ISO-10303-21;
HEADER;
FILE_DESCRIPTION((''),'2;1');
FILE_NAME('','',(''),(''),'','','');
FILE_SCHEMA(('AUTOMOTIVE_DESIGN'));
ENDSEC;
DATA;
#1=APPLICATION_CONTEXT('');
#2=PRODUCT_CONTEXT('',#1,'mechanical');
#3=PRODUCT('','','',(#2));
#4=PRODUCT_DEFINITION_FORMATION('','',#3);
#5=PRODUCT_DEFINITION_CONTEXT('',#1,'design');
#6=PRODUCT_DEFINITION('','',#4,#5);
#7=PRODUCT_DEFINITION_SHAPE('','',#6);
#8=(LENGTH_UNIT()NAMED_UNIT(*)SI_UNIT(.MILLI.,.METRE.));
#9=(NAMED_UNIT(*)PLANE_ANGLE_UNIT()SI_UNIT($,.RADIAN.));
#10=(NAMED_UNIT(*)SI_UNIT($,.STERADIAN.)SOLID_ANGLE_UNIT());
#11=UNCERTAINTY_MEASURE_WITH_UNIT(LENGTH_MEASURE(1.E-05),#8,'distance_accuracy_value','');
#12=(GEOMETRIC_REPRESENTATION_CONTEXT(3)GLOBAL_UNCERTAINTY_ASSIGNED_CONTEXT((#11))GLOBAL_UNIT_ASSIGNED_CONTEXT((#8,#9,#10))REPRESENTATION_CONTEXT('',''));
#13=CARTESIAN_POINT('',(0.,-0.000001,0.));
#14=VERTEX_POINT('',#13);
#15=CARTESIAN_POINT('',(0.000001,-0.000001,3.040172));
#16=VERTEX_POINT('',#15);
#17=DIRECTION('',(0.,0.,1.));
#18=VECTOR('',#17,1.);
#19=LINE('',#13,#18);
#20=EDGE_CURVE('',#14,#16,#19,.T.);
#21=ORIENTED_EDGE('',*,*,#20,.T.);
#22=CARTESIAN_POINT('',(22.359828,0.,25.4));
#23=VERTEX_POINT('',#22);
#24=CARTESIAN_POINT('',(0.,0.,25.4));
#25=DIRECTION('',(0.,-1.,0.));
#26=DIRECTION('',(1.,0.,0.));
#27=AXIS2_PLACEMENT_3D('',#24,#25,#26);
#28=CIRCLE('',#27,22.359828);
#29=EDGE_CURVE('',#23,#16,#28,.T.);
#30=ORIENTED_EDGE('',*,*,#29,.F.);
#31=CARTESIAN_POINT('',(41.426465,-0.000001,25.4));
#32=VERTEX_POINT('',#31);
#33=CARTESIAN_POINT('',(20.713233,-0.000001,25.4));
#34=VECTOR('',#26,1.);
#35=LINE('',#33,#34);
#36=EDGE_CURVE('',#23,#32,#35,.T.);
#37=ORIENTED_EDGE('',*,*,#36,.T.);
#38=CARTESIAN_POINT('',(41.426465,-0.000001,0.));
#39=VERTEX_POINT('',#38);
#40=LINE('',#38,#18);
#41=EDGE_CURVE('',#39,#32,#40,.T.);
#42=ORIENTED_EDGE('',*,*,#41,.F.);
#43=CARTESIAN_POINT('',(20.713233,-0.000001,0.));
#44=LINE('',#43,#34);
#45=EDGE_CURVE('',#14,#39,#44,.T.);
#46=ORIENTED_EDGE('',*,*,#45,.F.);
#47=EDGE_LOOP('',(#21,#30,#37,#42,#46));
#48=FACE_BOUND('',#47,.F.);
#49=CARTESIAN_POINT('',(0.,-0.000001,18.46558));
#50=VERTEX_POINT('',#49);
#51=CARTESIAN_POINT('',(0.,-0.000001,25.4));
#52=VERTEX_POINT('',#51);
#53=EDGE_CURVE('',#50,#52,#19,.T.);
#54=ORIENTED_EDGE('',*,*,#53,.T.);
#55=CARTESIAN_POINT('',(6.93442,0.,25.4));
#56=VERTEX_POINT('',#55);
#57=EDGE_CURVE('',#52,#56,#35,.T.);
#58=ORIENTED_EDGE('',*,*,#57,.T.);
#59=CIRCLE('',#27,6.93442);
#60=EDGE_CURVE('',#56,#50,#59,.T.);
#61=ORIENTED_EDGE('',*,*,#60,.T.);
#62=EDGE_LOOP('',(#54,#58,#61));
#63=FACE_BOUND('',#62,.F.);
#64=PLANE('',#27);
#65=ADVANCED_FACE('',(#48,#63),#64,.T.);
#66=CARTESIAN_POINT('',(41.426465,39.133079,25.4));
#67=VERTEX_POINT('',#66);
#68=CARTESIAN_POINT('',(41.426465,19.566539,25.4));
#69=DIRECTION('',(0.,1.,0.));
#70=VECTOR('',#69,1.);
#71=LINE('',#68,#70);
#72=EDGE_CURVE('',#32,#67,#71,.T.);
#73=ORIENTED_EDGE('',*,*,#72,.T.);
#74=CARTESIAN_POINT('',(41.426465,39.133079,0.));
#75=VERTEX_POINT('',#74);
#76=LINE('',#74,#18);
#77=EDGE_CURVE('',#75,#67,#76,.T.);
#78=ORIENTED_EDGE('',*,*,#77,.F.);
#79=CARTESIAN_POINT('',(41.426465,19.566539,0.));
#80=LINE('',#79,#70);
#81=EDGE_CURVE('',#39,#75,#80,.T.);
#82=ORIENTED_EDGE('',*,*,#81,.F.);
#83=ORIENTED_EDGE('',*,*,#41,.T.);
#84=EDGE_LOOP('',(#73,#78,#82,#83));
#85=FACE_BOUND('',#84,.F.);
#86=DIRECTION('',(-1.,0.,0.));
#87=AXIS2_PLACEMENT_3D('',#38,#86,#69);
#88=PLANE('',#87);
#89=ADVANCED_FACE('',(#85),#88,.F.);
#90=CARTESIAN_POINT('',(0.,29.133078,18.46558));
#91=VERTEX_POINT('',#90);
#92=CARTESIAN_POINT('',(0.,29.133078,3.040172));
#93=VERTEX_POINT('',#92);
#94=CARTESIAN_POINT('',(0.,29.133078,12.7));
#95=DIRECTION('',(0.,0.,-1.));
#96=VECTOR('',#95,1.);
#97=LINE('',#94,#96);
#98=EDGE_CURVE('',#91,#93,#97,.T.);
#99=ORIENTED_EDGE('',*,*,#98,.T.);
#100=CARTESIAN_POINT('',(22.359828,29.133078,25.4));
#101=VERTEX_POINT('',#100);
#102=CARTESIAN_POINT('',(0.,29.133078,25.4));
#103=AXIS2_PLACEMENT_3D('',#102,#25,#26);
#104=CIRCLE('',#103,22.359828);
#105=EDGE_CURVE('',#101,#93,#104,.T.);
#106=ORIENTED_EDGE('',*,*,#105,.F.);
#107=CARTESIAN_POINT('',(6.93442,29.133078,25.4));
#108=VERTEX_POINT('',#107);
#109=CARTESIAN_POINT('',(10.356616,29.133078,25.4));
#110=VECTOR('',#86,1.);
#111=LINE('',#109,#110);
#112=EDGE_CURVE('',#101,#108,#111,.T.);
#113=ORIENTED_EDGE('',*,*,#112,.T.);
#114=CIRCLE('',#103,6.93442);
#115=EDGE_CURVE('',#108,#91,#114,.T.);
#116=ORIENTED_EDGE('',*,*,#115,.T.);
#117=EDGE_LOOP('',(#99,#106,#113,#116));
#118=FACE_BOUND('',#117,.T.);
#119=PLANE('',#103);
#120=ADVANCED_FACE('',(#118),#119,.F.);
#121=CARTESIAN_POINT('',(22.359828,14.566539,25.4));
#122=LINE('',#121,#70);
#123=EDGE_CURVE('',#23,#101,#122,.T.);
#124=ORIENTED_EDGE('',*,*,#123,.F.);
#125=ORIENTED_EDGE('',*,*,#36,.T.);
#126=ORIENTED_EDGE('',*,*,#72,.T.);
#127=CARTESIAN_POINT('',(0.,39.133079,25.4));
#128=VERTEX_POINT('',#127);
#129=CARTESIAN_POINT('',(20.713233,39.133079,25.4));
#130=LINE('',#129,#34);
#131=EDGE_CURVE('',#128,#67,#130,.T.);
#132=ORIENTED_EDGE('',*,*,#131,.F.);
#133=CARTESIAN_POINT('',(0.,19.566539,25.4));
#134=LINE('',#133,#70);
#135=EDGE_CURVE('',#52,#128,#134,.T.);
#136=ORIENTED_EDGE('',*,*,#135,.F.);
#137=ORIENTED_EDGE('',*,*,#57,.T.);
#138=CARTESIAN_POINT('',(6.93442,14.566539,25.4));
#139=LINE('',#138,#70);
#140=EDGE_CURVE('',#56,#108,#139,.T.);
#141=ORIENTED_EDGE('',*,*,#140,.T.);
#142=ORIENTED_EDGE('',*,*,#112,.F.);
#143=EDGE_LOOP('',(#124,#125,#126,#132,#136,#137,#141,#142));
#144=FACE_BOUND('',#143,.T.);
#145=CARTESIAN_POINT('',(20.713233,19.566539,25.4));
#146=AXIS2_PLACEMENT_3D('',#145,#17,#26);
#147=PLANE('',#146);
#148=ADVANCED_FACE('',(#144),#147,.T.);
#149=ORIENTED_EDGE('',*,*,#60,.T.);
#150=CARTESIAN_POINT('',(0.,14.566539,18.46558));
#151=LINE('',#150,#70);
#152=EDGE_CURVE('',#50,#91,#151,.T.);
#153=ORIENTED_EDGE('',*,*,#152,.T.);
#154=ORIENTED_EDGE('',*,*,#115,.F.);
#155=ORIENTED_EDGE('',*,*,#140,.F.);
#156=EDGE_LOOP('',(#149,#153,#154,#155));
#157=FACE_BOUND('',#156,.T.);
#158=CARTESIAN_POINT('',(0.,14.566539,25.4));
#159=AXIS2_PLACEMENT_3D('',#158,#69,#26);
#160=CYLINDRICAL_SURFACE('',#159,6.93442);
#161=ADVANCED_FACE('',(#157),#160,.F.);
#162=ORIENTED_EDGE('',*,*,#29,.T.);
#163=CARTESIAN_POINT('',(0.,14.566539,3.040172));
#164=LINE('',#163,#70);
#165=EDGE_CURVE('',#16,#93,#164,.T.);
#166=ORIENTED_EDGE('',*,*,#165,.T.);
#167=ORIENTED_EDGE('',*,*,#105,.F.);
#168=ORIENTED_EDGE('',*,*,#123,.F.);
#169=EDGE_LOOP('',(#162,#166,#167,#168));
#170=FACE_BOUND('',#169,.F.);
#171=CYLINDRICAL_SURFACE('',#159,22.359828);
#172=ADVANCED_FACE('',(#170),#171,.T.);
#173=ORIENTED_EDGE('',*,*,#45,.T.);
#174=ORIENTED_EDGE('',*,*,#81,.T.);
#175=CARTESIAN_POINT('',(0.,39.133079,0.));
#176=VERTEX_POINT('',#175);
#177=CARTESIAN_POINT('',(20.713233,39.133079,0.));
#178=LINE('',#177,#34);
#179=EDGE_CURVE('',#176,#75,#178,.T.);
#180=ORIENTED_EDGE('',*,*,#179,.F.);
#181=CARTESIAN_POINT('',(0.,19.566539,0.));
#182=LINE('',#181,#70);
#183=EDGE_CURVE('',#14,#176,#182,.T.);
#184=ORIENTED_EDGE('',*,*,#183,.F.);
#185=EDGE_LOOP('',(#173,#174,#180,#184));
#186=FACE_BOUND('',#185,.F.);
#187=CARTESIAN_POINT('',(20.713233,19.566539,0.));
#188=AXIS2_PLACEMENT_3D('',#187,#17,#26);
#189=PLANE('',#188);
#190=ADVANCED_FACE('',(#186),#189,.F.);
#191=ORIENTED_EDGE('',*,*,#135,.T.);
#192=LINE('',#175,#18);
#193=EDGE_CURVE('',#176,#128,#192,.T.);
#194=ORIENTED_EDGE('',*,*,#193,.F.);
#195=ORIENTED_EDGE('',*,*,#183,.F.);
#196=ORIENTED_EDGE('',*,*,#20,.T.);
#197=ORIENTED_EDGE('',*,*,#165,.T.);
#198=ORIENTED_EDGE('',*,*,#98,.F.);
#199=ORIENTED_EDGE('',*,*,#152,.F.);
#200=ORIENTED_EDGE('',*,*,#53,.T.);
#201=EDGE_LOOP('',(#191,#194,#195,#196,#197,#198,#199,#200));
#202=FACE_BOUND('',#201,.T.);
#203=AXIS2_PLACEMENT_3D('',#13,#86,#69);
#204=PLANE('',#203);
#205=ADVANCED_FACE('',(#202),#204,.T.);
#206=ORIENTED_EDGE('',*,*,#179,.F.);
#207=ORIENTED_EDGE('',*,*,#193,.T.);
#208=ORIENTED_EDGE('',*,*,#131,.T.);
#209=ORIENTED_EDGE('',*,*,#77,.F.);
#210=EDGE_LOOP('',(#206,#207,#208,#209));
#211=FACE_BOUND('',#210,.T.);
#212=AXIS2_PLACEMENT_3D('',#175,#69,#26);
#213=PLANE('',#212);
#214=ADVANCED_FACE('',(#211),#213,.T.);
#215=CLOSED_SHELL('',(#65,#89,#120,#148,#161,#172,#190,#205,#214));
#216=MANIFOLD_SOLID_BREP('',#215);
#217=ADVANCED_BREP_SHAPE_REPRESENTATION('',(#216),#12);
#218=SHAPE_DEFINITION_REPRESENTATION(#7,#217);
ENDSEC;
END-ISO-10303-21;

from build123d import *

# Parameters (mm, degrees)
F0_W     = 41.426465
F0_H     = 39.133079
F1_DEPTH = 25.4
F2_W     = 15.425408
F2_H     = 29.133079


with BuildPart() as f1:
    # F0 (on Top) → F1 (new body)
    with BuildSketch(Plane.XY):
        with Locations((20.713233, 19.566539)):
            Rectangle(F0_W, F0_H)
    extrude(amount=F1_DEPTH)

    # F2 (on face) → F3 (revolve)
    with BuildSketch(Plane.XY.offset(25.4)):
        with Locations((14.647124, 14.566539)):
            Rectangle(F2_W, F2_H)
    revolve(axis=Axis((0, 19.56654, 25.4), (0, -1, 0)))


solid = f1.part
